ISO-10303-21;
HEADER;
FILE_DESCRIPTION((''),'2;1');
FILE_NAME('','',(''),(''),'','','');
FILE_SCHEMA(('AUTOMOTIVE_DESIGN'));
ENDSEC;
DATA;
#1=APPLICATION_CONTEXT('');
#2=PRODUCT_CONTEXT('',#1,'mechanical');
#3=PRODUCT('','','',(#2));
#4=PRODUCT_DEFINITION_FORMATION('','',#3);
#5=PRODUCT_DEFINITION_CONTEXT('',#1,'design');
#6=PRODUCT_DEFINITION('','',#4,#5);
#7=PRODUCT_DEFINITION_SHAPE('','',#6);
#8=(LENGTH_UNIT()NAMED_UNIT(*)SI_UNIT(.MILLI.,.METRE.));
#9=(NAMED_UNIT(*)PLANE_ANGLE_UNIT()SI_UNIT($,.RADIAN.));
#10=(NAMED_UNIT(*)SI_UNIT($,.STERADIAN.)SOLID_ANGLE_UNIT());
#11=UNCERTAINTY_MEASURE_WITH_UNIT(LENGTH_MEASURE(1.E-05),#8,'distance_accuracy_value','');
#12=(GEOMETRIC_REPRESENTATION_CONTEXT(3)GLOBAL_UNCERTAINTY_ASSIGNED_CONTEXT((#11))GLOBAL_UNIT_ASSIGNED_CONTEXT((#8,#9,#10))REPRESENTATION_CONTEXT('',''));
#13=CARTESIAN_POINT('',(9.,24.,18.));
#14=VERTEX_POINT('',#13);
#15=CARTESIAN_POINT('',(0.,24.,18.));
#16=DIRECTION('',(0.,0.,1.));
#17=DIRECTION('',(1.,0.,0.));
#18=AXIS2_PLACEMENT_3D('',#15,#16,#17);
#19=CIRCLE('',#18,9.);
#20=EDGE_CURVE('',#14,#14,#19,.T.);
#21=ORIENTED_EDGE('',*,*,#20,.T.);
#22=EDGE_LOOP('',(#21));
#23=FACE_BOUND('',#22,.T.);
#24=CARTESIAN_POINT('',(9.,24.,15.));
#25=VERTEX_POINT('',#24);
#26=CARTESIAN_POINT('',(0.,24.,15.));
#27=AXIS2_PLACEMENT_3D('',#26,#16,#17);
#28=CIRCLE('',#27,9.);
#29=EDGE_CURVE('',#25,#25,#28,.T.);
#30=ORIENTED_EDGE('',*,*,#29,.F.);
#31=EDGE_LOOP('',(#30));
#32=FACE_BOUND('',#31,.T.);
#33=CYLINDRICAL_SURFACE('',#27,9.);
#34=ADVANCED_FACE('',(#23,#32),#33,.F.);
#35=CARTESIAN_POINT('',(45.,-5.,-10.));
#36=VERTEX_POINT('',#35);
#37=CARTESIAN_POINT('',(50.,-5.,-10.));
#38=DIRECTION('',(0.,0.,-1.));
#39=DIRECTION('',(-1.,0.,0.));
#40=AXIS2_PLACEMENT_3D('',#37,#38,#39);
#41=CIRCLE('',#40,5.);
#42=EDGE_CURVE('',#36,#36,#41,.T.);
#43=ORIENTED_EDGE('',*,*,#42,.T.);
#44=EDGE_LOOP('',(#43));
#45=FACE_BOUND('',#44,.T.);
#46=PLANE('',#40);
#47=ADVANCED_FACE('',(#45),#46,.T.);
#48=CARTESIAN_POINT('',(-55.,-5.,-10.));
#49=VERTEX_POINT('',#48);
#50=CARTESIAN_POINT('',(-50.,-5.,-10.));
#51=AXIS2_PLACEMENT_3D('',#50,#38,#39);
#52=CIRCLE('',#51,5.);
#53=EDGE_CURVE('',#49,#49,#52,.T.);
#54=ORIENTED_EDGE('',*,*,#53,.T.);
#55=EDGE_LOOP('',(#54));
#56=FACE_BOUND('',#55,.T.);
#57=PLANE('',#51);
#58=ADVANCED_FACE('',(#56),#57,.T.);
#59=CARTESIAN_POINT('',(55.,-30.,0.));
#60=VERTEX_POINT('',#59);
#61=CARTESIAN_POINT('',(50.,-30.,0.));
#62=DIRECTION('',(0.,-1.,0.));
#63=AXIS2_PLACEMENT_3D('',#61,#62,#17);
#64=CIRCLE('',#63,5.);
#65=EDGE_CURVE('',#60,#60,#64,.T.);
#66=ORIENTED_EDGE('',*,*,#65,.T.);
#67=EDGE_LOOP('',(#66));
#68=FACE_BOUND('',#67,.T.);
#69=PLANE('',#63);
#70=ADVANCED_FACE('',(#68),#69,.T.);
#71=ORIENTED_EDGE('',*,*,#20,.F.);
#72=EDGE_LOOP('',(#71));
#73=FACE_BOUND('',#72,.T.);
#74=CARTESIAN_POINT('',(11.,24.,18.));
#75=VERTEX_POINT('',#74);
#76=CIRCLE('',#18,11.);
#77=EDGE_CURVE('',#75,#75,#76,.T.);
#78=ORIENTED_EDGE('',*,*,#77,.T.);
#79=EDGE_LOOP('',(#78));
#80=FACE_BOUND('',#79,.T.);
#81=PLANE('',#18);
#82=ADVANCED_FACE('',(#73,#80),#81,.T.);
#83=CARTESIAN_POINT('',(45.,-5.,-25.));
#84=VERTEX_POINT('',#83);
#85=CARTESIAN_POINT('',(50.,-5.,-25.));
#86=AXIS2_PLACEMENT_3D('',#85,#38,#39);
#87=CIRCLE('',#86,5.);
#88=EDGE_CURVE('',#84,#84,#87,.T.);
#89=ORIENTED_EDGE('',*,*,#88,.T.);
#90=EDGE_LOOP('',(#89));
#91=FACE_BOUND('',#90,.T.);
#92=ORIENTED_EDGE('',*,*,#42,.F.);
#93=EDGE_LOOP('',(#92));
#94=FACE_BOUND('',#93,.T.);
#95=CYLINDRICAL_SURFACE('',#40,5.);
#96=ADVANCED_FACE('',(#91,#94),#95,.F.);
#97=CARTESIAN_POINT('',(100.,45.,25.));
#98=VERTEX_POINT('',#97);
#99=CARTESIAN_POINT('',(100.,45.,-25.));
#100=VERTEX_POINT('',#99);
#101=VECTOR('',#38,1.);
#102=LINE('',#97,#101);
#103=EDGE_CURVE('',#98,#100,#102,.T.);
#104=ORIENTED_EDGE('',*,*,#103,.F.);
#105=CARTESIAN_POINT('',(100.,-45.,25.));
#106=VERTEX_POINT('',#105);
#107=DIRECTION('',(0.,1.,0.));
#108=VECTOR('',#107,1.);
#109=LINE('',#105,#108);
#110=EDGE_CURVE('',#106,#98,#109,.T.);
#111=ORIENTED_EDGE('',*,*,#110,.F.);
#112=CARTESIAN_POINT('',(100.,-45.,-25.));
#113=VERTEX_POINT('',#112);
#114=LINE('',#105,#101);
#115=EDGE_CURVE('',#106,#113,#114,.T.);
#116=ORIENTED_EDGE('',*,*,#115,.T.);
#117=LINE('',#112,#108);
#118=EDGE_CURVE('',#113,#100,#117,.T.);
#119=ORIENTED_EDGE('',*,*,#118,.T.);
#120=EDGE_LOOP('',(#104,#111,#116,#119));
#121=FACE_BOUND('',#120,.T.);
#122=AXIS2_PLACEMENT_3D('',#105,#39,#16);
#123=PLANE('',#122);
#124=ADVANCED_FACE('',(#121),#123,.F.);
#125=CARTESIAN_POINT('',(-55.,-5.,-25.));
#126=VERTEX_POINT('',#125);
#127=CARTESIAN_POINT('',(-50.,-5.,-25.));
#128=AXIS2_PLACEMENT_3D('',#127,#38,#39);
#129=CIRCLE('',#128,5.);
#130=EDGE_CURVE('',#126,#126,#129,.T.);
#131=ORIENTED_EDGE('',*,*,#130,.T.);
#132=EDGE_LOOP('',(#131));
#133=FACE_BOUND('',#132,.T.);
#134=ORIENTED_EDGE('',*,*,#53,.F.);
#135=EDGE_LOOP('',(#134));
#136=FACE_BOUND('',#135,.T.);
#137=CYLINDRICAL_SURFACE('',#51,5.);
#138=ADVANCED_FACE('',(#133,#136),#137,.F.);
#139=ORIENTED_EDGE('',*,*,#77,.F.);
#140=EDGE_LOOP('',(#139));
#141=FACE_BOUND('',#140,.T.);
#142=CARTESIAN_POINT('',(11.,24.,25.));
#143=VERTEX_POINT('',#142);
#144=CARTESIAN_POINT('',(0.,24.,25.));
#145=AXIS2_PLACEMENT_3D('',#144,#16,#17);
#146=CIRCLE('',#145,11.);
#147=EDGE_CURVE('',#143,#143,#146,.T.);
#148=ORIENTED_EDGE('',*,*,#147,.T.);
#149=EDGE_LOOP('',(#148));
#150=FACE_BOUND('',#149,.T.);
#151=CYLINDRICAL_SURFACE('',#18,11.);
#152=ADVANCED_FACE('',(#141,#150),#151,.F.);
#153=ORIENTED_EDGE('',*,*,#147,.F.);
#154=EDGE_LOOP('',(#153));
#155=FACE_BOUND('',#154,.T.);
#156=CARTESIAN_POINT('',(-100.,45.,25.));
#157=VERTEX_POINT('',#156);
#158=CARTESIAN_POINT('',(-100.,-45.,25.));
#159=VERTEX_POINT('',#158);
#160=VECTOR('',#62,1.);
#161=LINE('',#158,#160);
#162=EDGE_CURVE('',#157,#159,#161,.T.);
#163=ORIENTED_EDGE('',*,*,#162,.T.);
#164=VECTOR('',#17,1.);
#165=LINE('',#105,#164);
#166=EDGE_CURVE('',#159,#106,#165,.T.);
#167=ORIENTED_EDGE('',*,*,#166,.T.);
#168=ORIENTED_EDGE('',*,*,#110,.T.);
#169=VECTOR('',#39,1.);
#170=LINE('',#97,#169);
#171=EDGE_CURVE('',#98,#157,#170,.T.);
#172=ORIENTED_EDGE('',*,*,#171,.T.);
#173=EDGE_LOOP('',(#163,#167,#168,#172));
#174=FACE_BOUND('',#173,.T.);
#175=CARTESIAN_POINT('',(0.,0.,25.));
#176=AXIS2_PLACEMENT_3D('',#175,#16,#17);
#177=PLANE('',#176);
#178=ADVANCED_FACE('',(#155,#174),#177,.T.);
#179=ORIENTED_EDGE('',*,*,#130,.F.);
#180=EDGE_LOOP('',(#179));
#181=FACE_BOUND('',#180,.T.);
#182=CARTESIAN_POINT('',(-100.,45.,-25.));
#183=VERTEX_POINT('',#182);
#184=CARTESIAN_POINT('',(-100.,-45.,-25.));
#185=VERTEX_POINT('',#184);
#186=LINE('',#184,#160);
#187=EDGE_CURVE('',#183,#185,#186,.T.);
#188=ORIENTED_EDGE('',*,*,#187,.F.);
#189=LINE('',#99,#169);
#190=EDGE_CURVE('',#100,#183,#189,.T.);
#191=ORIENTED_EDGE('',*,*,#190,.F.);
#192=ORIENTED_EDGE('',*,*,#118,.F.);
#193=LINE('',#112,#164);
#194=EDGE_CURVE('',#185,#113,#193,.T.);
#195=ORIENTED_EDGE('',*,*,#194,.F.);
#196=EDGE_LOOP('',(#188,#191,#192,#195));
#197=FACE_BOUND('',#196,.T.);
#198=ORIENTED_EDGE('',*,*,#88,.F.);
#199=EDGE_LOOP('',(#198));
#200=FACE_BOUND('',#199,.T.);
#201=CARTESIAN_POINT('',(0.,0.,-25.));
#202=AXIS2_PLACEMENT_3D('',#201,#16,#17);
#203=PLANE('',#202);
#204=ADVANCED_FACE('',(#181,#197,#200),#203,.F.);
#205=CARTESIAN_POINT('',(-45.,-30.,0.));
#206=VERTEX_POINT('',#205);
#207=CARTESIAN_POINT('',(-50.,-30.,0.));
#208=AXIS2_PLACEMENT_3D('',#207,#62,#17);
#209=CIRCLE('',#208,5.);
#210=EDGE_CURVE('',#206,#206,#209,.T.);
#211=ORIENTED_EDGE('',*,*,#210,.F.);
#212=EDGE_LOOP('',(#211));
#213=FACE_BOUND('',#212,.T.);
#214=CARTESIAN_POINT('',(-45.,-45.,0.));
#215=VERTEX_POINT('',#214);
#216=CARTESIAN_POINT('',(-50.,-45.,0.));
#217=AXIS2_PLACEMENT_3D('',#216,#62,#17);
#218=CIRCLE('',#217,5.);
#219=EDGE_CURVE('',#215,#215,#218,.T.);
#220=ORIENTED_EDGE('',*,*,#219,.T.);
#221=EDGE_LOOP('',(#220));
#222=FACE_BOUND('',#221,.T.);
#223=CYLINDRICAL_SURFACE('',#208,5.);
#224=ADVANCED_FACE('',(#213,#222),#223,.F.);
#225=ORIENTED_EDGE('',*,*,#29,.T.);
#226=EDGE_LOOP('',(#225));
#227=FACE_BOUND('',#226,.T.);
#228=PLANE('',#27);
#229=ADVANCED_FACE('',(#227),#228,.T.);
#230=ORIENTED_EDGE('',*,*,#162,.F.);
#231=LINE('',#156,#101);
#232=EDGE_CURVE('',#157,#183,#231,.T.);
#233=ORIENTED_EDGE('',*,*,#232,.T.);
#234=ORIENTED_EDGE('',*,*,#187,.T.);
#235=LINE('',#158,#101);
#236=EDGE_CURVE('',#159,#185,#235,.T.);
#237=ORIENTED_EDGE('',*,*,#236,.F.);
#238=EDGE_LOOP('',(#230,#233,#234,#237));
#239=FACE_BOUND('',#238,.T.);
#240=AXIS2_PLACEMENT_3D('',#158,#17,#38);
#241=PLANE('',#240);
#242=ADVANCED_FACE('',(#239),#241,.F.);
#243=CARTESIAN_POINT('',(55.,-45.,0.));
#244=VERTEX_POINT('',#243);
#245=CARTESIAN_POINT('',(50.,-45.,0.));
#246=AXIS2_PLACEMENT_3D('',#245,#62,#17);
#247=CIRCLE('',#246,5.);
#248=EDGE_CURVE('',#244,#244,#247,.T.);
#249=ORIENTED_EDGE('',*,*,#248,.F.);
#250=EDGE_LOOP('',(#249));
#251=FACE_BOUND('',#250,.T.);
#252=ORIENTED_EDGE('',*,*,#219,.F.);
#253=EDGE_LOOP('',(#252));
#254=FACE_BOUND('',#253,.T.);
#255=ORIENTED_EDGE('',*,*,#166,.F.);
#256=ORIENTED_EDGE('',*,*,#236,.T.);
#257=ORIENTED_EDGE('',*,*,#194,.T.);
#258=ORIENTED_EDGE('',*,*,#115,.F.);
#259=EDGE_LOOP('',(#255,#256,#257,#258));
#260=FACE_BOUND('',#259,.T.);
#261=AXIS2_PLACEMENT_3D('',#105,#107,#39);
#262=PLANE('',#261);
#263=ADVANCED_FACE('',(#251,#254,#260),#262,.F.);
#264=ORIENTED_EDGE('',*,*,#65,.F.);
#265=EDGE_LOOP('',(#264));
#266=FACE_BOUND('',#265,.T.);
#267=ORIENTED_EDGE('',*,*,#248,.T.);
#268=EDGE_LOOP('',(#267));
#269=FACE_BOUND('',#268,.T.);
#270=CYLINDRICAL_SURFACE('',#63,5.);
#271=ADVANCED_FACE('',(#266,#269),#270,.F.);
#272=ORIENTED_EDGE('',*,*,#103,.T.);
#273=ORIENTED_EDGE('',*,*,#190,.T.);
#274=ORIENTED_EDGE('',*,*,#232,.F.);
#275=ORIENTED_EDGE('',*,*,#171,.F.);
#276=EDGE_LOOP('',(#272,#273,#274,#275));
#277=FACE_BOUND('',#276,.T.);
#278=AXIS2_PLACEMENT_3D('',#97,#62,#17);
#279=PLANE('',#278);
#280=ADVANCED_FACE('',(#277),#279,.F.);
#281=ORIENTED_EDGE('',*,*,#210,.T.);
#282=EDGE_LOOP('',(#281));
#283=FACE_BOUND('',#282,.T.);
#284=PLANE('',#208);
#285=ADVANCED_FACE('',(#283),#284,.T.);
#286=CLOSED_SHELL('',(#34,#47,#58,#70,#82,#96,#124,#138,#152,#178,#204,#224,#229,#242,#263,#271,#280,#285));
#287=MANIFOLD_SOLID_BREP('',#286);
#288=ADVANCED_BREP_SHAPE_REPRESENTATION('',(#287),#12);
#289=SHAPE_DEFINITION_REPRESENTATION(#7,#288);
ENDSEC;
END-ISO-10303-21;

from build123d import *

# Parameters (mm, degrees)
SKETCH1_W           = 200
SKETCH1_H           = 90
BOSS_EXTRUDE1_DEPTH = 25
SKETCH2_R           = 9
CUT_EXTRUDE1_DEPTH  = 10
SKETCH2_4_R         = 11
SKETCH2_4_R_2       = 9
CUT_EXTRUDE2_DEPTH  = 7
SKETCH3_R           = 5
CUT_EXTRUDE3_DEPTH  = 15
SKETCH4_R           = 5
CUT_EXTRUDE4_DEPTH  = 15


with BuildPart() as part:
    # Sketch1 → Boss-Extrude1 (new, symmetric)
    with BuildSketch(Plane.XY):
        Rectangle(SKETCH1_W, SKETCH1_H)
    extrude(amount=BOSS_EXTRUDE1_DEPTH, both=True)

    # Sketch2 → Cut-Extrude1 (cut)
    with BuildSketch(Plane.XY.offset(25)):
        with Locations((0, 24)):
            Circle(SKETCH2_R)
    extrude(amount=-CUT_EXTRUDE1_DEPTH, mode=Mode.SUBTRACT)

    # Sketch2<4> → Cut-Extrude2 (cut)
    with BuildSketch(Plane.XY.offset(25)):
        with Locations((0, 24)):
            Circle(SKETCH2_4_R)
        with Locations((0, 24)):
            Circle(SKETCH2_4_R_2, mode=Mode.SUBTRACT)
    extrude(amount=-CUT_EXTRUDE2_DEPTH, mode=Mode.SUBTRACT)

    # Sketch3 → Cut-Extrude3 (cut)
    with BuildSketch(Plane.XZ.offset(45)):
        with Locations((-50, 0)):
            Circle(SKETCH3_R)
        with Locations((50, 0)):
            Circle(SKETCH3_R)
    extrude(amount=-CUT_EXTRUDE3_DEPTH, mode=Mode.SUBTRACT)

    # Sketch4 → Cut-Extrude4 (cut)
    with BuildSketch(Plane(origin=(0, 0, -25), x_dir=(-1, 0, 0), z_dir=(0, 0, -1))):
        with Locations((-50, -5)):
            Circle(SKETCH4_R)
        with Locations((50, -5)):
            Circle(SKETCH4_R)
    extrude(amount=-CUT_EXTRUDE4_DEPTH, mode=Mode.SUBTRACT)


solid = part.part
